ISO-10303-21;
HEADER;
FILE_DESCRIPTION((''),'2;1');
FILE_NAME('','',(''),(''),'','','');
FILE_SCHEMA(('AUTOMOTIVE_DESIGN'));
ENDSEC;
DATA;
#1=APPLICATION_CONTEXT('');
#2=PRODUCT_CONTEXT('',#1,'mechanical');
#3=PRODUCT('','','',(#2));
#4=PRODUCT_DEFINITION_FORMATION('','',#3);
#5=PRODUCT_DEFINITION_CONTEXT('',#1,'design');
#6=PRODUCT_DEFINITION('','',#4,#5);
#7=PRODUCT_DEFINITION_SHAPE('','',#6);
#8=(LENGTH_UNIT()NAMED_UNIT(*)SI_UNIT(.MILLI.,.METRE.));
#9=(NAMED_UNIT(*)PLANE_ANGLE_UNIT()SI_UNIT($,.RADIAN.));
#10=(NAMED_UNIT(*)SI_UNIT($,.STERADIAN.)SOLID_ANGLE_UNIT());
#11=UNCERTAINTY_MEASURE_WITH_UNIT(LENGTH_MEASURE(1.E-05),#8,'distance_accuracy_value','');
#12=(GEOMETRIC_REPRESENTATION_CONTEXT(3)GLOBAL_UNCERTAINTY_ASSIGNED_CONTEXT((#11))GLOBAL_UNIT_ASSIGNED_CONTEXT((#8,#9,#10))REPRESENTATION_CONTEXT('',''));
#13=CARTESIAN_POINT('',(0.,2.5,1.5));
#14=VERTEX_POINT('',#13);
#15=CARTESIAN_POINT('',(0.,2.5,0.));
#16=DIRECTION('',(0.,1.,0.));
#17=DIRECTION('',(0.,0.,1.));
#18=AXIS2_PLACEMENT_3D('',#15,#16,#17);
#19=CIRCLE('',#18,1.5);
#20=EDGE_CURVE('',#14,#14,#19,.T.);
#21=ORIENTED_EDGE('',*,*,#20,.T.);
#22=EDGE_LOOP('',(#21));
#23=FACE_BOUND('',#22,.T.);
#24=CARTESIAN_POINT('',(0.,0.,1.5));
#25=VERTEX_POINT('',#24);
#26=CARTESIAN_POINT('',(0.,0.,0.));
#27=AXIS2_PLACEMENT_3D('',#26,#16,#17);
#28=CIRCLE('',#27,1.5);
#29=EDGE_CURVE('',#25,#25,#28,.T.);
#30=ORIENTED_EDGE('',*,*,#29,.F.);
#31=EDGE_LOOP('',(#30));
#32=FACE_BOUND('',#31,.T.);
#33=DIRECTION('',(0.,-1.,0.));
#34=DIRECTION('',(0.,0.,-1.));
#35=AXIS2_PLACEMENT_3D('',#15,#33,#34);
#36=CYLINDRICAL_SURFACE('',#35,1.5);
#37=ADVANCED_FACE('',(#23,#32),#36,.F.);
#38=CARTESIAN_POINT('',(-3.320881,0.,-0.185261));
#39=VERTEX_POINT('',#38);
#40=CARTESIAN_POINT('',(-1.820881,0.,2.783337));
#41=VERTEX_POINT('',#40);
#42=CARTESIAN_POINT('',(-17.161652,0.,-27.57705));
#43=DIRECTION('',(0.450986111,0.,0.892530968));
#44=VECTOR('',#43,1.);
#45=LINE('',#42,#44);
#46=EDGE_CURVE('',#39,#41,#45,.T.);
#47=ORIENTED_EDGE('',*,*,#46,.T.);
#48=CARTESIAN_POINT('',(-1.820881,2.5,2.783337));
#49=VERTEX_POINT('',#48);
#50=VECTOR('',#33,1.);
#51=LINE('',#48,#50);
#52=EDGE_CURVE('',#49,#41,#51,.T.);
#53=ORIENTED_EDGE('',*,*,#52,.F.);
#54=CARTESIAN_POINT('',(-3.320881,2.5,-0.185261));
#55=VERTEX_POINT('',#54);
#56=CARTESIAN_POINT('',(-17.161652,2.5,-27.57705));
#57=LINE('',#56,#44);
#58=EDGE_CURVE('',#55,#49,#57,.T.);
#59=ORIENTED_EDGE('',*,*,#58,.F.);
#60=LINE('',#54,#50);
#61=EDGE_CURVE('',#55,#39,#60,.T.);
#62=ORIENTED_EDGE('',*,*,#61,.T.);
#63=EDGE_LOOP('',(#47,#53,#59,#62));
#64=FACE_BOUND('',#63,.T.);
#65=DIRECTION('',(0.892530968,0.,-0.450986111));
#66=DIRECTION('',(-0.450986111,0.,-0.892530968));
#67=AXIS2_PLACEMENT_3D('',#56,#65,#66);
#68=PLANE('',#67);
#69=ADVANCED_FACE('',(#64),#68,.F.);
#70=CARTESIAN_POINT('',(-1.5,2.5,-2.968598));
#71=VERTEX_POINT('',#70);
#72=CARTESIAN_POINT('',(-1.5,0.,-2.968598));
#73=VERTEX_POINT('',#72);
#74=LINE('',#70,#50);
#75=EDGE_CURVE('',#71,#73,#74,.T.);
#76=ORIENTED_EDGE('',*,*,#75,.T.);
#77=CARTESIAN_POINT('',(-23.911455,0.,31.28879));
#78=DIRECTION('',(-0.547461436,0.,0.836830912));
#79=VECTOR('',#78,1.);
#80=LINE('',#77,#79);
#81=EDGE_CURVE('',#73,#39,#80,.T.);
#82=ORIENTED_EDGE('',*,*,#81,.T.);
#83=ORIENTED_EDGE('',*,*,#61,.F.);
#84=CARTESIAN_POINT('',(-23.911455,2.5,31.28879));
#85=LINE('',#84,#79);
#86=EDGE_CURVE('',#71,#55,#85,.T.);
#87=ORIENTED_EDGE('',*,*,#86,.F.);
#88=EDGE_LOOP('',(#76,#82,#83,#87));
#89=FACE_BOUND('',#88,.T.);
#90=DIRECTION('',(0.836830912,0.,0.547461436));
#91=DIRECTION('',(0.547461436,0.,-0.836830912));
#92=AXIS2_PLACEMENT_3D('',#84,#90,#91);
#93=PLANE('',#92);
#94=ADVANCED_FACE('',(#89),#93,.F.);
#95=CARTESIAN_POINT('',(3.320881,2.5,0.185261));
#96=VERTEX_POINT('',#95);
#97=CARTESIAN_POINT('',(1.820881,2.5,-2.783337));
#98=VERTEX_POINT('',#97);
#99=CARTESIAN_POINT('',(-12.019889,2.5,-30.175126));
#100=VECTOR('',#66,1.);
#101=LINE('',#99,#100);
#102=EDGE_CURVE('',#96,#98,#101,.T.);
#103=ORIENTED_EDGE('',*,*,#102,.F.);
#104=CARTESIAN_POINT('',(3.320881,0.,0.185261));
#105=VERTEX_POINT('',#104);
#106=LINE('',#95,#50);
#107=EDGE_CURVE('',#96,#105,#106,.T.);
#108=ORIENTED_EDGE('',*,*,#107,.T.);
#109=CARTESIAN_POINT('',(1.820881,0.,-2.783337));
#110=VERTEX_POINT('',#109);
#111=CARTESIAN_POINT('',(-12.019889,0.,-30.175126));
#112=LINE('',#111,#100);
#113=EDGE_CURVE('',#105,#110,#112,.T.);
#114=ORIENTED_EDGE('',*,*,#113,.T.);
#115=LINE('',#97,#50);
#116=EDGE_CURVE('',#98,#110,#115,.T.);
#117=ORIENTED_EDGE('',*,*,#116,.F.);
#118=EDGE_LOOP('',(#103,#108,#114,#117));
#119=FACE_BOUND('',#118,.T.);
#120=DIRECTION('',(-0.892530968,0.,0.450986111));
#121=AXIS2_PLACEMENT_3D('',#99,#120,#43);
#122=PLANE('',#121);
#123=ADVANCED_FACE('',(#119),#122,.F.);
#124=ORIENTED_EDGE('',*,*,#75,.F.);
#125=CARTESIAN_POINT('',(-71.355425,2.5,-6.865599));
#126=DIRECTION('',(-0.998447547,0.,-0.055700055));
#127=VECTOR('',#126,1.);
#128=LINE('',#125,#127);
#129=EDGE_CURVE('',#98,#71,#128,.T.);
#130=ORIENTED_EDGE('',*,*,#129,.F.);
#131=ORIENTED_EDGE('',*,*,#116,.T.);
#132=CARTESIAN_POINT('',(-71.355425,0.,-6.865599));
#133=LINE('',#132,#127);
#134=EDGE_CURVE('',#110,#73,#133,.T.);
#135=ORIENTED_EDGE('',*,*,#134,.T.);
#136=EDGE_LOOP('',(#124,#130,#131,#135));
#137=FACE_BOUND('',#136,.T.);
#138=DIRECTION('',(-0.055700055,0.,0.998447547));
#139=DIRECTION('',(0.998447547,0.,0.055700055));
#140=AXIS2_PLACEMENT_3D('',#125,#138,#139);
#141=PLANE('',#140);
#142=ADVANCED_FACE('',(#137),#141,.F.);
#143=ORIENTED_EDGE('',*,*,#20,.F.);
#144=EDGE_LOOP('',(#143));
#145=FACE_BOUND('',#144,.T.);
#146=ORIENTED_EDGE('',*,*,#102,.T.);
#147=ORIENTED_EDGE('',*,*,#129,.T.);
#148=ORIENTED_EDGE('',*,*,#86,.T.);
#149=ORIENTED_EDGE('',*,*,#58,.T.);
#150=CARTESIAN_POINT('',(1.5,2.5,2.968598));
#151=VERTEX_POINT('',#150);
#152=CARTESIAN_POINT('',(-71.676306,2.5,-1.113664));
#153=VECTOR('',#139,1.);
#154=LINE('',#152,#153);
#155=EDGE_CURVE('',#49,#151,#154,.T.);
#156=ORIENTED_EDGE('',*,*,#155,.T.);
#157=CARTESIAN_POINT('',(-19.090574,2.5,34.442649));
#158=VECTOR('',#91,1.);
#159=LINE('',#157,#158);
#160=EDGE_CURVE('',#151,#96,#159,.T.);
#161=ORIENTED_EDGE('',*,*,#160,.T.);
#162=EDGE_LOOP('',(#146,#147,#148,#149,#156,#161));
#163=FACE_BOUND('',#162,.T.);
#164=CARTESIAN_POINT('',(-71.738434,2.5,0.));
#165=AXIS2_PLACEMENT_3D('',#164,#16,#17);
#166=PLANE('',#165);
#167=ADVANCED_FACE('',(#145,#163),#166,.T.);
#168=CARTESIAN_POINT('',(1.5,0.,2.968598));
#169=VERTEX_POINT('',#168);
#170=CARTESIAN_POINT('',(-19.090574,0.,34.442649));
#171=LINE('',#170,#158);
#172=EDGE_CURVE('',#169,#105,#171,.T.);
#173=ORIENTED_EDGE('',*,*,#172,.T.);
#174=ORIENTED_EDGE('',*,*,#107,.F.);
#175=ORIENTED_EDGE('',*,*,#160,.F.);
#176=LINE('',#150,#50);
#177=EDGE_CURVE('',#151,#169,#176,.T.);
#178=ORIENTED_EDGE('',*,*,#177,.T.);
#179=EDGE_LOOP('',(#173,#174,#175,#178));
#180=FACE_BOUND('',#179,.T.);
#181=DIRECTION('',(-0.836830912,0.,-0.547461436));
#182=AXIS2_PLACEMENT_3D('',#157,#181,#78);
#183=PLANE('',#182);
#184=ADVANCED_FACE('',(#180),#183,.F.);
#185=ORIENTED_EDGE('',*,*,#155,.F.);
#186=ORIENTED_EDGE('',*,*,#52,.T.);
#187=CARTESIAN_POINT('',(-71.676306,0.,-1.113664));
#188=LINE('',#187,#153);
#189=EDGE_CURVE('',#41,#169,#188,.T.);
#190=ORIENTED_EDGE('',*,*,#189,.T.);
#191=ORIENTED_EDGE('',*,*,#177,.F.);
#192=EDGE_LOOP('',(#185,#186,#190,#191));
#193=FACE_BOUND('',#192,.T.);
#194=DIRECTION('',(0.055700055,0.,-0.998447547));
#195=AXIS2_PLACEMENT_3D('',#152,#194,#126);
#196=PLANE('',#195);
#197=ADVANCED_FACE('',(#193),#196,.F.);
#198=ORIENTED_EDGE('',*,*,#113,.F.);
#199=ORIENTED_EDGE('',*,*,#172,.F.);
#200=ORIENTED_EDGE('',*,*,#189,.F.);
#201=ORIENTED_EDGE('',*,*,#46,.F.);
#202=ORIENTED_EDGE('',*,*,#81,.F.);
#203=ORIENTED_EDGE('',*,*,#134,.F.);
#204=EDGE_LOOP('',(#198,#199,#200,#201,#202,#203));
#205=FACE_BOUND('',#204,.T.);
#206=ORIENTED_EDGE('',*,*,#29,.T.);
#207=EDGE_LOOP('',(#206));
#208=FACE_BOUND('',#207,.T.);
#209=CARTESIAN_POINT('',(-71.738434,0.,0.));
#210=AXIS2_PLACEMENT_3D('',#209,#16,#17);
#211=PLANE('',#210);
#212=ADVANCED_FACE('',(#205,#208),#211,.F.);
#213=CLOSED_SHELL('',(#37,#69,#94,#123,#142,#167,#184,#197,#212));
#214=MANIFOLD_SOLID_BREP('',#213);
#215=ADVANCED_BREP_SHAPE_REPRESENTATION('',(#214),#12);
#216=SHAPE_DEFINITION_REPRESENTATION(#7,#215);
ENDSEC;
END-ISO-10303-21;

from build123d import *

# Parameters (mm, degrees)
SKETCH1_R           = 1.5
BOSS_EXTRUDE1_DEPTH = 2.5


with BuildPart() as part:
    # Sketch1 → Boss-Extrude1 (new body)
    with BuildSketch(Plane(origin=(0, 0, 0), x_dir=(1, 0, 0), z_dir=(0, 1, 0))):
        Polygon((-3.320881253, 0.185260878), (-1.820881253, -2.783337089), (1.5, -2.968597967), (3.320881253, -0.185260878), (1.820881253, 2.783337089), (-1.5, 2.968597967), align=None)
        Circle(SKETCH1_R, mode=Mode.SUBTRACT)
    extrude(amount=BOSS_EXTRUDE1_DEPTH)


solid = part.part
